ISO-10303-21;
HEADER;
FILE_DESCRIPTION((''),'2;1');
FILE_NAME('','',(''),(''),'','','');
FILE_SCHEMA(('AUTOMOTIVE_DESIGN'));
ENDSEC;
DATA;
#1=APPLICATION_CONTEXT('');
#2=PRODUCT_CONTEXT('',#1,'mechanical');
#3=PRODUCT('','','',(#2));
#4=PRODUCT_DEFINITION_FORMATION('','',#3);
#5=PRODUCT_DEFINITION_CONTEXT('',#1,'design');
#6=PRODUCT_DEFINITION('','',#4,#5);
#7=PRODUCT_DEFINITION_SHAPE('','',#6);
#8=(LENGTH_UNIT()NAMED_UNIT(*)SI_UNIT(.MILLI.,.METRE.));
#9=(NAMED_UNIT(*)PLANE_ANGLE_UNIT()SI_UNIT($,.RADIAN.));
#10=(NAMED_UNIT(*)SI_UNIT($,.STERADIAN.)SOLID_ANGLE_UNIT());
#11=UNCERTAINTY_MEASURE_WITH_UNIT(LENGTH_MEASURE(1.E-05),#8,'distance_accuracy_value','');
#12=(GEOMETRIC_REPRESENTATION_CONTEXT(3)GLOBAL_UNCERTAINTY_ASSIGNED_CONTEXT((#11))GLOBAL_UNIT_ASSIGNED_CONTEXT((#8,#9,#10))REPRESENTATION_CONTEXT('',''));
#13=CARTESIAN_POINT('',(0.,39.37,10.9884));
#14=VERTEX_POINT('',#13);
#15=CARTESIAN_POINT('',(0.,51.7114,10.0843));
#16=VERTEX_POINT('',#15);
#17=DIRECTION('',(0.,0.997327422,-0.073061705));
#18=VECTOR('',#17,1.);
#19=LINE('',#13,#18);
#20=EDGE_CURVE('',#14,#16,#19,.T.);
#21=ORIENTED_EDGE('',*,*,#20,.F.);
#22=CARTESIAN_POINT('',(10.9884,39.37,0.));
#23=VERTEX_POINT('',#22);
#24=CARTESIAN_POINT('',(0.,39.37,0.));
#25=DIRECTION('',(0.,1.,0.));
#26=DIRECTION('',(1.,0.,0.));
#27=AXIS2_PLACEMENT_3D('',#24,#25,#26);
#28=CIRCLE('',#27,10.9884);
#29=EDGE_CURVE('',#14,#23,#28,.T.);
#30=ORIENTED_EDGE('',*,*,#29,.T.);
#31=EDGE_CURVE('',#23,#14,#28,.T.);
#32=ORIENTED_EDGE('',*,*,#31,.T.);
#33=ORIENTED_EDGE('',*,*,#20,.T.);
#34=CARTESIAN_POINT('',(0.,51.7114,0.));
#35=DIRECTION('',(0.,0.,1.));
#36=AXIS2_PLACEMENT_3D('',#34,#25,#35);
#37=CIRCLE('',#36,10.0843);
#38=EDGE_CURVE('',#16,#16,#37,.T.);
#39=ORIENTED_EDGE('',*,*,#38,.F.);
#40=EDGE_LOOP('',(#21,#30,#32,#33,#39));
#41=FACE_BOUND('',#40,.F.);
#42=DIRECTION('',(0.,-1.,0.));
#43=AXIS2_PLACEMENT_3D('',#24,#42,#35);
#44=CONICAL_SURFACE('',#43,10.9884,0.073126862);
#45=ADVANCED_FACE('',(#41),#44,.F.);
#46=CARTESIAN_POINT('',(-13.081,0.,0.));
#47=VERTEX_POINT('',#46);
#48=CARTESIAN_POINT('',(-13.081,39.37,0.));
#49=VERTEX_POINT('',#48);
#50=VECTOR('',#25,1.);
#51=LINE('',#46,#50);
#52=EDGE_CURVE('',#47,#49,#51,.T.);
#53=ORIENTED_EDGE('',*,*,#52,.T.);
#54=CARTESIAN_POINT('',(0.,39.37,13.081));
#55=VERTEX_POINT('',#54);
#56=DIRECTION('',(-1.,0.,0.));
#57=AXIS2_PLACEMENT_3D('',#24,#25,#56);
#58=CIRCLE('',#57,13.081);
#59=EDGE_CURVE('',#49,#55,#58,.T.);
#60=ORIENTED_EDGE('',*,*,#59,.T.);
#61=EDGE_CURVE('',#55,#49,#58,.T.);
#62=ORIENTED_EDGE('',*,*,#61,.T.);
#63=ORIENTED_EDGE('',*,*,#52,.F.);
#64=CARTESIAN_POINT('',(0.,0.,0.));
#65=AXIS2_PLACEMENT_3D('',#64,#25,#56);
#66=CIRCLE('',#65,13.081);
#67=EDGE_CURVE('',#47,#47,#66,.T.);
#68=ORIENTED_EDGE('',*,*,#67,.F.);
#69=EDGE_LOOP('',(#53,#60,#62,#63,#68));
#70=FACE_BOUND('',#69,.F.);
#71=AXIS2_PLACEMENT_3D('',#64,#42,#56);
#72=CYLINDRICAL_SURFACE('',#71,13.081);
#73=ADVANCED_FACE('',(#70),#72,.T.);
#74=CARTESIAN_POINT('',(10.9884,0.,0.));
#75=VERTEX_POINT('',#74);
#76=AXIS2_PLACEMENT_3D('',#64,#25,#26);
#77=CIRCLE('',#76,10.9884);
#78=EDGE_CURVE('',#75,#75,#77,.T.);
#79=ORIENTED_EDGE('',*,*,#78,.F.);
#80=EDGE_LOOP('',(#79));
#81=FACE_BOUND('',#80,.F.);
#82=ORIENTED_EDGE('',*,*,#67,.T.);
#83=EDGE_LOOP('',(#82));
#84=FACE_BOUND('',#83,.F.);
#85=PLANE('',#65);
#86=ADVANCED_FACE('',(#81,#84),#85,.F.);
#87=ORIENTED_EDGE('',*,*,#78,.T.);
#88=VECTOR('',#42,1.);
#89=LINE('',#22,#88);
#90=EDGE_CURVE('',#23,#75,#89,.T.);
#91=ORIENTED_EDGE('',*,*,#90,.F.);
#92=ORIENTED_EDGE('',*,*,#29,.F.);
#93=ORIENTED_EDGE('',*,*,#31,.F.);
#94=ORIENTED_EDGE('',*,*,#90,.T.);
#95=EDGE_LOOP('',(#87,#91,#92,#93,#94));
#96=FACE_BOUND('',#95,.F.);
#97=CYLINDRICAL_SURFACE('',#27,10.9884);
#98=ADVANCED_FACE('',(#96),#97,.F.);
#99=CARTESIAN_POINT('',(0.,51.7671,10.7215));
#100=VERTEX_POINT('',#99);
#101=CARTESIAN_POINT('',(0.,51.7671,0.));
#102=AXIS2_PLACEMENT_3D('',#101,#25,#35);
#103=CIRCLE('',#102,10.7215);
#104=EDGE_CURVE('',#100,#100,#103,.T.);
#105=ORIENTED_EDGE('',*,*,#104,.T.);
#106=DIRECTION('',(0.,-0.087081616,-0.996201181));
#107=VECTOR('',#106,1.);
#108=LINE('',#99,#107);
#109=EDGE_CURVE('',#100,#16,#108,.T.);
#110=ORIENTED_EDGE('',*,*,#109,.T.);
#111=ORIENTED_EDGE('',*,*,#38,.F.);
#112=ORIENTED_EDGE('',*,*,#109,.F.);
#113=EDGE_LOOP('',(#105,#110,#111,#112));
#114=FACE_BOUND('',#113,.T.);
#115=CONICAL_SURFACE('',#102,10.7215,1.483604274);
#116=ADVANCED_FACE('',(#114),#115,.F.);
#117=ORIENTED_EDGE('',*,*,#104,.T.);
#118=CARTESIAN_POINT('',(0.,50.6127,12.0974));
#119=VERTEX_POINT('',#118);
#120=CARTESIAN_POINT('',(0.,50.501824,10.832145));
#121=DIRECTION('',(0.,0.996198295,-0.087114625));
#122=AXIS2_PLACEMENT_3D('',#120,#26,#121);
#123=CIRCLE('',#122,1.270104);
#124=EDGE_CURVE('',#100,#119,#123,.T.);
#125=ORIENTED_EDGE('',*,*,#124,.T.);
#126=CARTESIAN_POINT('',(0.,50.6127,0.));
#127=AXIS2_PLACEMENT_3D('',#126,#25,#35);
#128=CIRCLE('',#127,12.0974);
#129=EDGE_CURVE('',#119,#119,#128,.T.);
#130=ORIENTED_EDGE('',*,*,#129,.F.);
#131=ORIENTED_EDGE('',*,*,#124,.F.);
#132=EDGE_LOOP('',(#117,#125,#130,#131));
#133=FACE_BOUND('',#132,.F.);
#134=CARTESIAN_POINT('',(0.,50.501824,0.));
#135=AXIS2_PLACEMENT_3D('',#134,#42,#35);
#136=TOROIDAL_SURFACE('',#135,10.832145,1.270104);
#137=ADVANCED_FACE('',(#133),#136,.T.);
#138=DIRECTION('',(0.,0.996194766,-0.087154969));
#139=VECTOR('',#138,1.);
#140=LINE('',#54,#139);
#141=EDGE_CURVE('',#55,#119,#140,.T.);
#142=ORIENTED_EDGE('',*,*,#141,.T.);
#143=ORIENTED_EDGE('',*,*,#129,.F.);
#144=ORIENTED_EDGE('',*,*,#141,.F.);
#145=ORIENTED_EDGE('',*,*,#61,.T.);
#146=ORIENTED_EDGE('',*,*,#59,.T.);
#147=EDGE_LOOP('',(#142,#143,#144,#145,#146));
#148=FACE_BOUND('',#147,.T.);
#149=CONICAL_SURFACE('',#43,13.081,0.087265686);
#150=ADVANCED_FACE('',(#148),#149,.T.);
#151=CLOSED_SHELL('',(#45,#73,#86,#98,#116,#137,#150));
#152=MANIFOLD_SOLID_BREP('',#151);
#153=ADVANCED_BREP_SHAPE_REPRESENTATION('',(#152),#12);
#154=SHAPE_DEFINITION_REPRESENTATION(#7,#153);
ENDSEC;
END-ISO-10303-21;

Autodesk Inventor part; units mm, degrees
ref_plane "XZ Plane" through (0, 0, 0) normal (0, 1, 0) x (-1, 0, 0)
ref_plane "XY Plane" through (0, 0, 0) normal (0, 0, 1) x (1, 0, 0)
sketch "Sketch1" plane through (0, 0, 0) normal (0, 1, 0) x (-1, 0, 0)
  circle A0 centre (0, 0) radius 13.081
  dimension "d0" = 26.162
extrude "Extrusion1" add sketch "Sketch1" along normal blind 39.37
sketch "Sketch2" plane through (0, 39.37, 0) normal (0, 1, 0) x (1, 0, 0)
  circle A0 centre (0, 0) radius 10.9884
extrude "Extrusion2" cut sketch "Sketch2" against normal through all
sketch "Sketch3" plane through (0, 39.37, 0) normal (0, 1, 0) x (1, 0, 0)
  point P0 (0, 0)
ref_plane "Work Plane1" through (0, 0, 0) normal (1, 0, 0) x (0, 1, 0)
sketch "Sketch4" plane through (0, 0, 0) normal (1, 0, 0) x (0, 1, 0)
  line L0 (39.37, -13.081) -> (39.37, 13.081) projected
  line L1 (39.37, 13.081) -> (52.07, 13.081) construction
  line L2 (39.37, 0) -> (51.6373, 0)
  line L3 (39.37, 10.9884) -> (39.37, -10.9884) projected
  line L4 (39.37, 10.9884) -> (51.7114, 10.0843)
  line L5 (39.37, 13.081) -> (50.6127, 12.0974)
  line L6 (39.37, 13.081) -> (50.6556, 13.081) construction
  line L7 (51.7671, 10.7215) -> (51.7114, 10.0843)
  arc A0 (51.7671, 10.7215) -> (50.6127, 12.0974) centre (50.502, 10.8322) ccw
  point P0 (0, 0)
  dimension "d6" = 12.7
  dimension "d8" = 5
  dimension "d9" = 1.27
revolve "Revolution1" add sketch "Sketch4" angle 360 about axis through (0, 39.37, 0) along (0, 1, 0)
sketch "Sketch5" plane through (0, 0, 0) normal (1, 0, 0) x (0, 1, 0)
  line L0 (39.37, -13.081) -> (39.37, 13.081) projected
  line L1 (39.37, 10.9828) -> (51.7114, 10.0843)
  line L2 (51.7114, 10.0843) -> (39.37, 10.9884) projected
  point P0 (0, 0)
properties part number "cylinder part"
